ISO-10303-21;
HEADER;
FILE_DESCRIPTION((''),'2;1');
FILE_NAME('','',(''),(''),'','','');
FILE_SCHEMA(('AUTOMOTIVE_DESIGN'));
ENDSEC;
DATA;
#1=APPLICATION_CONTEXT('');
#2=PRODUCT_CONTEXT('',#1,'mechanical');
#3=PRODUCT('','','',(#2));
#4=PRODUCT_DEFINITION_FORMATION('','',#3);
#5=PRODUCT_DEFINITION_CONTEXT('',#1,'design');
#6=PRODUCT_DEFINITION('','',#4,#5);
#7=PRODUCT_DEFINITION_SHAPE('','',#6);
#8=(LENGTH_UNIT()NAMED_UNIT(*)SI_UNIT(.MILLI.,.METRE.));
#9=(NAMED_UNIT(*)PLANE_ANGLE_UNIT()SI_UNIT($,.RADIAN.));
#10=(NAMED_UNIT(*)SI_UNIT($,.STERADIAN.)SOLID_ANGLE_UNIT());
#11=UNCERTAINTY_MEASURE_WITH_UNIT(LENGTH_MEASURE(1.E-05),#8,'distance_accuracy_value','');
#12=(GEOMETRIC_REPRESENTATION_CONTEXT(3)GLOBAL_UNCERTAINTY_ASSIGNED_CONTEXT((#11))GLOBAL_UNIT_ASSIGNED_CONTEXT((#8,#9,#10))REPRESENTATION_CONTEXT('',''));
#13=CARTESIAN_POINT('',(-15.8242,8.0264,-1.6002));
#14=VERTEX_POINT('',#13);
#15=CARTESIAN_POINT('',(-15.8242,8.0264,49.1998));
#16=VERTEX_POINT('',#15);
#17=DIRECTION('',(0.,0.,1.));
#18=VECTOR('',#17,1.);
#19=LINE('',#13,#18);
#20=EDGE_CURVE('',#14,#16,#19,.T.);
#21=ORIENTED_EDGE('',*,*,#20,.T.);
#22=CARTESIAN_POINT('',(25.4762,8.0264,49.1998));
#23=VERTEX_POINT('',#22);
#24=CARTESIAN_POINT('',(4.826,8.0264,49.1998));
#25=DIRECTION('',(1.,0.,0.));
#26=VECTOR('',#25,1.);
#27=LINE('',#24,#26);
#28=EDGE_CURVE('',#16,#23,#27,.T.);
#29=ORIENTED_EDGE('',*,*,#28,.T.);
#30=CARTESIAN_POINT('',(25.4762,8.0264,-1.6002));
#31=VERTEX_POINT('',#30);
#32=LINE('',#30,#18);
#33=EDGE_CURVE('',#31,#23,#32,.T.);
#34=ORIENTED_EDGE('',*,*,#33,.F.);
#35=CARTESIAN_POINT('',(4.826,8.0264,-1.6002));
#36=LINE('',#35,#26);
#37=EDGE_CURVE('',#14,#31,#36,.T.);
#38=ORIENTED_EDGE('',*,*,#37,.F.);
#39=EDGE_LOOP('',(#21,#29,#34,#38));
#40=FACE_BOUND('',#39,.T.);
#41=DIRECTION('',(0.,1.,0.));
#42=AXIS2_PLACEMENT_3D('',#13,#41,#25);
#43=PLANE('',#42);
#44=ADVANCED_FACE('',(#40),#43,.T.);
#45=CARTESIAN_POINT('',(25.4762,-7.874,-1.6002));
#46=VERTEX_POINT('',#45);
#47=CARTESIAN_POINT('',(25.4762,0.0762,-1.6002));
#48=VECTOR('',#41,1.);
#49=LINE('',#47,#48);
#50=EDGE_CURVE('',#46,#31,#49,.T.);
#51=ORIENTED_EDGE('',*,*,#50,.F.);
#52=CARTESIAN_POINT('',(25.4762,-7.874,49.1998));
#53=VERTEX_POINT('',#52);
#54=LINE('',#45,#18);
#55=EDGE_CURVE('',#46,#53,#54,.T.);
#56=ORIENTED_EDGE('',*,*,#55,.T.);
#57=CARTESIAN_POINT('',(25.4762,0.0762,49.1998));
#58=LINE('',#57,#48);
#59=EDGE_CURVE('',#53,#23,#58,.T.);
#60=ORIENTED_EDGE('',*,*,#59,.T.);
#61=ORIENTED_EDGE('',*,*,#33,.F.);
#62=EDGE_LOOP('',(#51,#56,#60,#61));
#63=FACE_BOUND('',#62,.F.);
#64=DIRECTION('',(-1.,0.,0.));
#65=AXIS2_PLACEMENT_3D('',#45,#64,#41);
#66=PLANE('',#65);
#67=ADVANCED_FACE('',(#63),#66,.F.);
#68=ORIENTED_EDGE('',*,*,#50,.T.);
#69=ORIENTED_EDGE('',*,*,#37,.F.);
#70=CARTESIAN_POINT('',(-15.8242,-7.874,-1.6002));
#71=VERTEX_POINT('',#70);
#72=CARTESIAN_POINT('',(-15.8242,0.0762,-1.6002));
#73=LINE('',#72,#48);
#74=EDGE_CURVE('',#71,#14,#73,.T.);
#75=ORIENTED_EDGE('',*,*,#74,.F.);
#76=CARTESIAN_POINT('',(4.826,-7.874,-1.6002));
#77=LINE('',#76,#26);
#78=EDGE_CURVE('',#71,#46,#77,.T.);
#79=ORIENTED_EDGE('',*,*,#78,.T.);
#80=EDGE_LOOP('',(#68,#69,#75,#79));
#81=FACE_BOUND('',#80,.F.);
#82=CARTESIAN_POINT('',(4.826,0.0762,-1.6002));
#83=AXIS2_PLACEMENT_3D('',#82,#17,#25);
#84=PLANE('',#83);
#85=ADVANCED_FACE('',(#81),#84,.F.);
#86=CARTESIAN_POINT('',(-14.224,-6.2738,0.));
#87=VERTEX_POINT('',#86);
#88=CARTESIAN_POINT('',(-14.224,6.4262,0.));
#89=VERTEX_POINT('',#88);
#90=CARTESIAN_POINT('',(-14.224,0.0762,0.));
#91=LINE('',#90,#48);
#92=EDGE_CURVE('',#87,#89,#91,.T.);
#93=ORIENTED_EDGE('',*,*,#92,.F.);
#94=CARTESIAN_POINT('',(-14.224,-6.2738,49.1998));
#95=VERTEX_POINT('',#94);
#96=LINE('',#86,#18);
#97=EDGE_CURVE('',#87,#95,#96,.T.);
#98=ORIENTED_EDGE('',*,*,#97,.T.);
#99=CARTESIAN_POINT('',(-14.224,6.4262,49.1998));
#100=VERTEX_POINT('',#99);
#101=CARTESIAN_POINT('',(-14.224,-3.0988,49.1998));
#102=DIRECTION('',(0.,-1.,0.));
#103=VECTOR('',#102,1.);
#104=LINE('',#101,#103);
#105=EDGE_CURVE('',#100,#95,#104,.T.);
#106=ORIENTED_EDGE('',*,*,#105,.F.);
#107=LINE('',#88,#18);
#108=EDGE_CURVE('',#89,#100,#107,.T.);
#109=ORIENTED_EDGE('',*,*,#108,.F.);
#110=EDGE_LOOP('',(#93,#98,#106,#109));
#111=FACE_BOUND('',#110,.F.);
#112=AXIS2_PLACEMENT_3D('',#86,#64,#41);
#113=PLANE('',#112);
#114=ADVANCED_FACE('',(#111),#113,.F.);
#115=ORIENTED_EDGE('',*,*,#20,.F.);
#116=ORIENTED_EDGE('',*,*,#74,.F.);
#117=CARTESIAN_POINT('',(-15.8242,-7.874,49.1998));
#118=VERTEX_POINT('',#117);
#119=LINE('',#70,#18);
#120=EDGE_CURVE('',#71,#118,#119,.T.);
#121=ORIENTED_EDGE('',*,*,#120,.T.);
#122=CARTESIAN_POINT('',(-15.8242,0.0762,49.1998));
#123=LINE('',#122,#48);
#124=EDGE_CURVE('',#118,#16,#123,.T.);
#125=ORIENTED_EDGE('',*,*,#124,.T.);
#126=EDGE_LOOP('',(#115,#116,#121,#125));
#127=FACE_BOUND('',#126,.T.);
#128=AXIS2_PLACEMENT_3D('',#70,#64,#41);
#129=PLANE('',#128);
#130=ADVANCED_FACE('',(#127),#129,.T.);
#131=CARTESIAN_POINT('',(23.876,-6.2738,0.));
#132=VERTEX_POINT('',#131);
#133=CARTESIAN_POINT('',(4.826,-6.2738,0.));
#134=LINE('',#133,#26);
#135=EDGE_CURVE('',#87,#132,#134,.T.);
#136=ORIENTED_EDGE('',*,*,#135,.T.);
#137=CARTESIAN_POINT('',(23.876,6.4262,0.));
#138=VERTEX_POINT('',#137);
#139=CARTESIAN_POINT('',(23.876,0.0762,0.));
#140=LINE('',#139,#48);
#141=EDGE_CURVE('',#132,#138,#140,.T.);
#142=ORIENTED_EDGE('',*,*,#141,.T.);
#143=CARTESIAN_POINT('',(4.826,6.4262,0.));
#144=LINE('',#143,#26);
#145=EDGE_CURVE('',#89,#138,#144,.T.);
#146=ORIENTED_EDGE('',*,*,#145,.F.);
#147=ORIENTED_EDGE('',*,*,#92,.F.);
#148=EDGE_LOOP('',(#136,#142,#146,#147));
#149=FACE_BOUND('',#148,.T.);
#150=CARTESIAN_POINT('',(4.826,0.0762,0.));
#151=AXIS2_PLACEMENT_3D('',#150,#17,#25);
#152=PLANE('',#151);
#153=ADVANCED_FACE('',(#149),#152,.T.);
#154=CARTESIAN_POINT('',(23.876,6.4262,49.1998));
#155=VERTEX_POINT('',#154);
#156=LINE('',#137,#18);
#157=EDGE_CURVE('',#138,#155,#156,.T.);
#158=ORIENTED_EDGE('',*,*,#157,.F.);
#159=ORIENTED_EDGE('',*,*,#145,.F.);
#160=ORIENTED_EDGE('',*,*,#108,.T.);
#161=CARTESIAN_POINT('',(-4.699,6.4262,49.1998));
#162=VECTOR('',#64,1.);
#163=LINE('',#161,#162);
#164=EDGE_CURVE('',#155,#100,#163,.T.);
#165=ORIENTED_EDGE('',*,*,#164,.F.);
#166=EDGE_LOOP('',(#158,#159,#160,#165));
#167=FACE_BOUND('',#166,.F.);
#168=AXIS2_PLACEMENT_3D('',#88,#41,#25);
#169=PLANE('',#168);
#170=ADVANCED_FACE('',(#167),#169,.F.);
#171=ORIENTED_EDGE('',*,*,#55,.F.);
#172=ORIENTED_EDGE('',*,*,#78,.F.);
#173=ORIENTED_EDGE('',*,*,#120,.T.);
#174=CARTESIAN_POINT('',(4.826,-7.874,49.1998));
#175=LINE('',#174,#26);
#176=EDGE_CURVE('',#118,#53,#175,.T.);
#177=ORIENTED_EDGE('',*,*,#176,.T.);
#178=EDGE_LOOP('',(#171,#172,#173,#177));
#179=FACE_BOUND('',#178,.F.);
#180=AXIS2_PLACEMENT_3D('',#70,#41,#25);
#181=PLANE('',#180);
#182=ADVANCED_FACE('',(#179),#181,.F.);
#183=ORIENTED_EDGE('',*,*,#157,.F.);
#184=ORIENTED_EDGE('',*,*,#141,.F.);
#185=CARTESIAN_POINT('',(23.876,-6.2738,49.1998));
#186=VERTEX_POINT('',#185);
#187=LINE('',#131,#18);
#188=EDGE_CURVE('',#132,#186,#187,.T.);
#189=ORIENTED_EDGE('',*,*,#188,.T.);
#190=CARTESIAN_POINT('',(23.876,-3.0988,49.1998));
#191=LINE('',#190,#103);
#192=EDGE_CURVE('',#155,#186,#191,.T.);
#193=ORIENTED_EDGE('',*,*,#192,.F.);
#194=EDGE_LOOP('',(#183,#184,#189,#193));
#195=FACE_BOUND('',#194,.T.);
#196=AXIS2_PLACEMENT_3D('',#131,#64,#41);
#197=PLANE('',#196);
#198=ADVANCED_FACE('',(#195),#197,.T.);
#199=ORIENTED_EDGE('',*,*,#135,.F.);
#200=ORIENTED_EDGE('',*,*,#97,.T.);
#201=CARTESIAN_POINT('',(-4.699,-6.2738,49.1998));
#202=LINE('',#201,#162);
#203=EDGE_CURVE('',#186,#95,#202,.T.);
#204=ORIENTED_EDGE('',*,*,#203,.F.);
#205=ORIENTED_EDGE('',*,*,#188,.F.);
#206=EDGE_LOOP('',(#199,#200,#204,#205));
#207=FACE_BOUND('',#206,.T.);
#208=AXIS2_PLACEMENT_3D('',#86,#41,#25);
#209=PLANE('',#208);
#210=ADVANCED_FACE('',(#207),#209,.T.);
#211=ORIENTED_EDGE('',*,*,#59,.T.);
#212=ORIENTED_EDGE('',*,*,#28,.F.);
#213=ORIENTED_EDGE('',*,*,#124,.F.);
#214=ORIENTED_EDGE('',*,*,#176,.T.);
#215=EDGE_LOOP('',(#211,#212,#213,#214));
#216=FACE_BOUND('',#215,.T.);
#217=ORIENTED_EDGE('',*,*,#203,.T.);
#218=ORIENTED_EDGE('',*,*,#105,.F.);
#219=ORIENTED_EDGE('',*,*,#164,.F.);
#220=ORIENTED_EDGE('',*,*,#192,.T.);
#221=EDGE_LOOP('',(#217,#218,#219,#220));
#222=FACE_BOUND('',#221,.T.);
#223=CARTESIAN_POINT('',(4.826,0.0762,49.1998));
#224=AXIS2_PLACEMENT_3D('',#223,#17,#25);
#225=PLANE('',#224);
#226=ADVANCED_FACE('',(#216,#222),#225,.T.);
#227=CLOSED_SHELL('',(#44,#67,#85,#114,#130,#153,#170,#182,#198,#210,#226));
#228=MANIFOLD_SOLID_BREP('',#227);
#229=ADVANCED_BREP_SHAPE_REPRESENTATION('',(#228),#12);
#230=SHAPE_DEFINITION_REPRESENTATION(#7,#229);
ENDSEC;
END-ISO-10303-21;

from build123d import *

# Parameters (mm, degrees)
BOX001_W     = 38.1
BOX001_H     = 12.7
BOX001_DEPTH = 50.8
BOX002_W     = 41.3004
BOX002_H     = 15.9004
BOX002_DEPTH = 50.8


with BuildPart() as cube001:
    # Box001 → Box001 (new body)
    with BuildSketch(Plane(origin=(1.6002, 1.6002, 1.6002), x_dir=(1, 0, 0), z_dir=(0, 0, 1))):
        with Locations((19.05, 6.35)):
            Rectangle(BOX001_W, BOX001_H)
    extrude(amount=BOX001_DEPTH)


with BuildPart() as cut:
    # Box002 → Box002 (new body)
    with BuildSketch(Plane.XY):
        with Locations((20.6502, 7.9502)):
            Rectangle(BOX002_W, BOX002_H)
    extrude(amount=BOX002_DEPTH)

    # Cut: cut Cube001
    add(cube001.part, mode=Mode.SUBTRACT)


with BuildPart() as cut_1:
    # Cut placement: moved
    add(cut.part.moved(Location((-15.8242, -7.874, -1.6002))))


solid = cut_1.part
